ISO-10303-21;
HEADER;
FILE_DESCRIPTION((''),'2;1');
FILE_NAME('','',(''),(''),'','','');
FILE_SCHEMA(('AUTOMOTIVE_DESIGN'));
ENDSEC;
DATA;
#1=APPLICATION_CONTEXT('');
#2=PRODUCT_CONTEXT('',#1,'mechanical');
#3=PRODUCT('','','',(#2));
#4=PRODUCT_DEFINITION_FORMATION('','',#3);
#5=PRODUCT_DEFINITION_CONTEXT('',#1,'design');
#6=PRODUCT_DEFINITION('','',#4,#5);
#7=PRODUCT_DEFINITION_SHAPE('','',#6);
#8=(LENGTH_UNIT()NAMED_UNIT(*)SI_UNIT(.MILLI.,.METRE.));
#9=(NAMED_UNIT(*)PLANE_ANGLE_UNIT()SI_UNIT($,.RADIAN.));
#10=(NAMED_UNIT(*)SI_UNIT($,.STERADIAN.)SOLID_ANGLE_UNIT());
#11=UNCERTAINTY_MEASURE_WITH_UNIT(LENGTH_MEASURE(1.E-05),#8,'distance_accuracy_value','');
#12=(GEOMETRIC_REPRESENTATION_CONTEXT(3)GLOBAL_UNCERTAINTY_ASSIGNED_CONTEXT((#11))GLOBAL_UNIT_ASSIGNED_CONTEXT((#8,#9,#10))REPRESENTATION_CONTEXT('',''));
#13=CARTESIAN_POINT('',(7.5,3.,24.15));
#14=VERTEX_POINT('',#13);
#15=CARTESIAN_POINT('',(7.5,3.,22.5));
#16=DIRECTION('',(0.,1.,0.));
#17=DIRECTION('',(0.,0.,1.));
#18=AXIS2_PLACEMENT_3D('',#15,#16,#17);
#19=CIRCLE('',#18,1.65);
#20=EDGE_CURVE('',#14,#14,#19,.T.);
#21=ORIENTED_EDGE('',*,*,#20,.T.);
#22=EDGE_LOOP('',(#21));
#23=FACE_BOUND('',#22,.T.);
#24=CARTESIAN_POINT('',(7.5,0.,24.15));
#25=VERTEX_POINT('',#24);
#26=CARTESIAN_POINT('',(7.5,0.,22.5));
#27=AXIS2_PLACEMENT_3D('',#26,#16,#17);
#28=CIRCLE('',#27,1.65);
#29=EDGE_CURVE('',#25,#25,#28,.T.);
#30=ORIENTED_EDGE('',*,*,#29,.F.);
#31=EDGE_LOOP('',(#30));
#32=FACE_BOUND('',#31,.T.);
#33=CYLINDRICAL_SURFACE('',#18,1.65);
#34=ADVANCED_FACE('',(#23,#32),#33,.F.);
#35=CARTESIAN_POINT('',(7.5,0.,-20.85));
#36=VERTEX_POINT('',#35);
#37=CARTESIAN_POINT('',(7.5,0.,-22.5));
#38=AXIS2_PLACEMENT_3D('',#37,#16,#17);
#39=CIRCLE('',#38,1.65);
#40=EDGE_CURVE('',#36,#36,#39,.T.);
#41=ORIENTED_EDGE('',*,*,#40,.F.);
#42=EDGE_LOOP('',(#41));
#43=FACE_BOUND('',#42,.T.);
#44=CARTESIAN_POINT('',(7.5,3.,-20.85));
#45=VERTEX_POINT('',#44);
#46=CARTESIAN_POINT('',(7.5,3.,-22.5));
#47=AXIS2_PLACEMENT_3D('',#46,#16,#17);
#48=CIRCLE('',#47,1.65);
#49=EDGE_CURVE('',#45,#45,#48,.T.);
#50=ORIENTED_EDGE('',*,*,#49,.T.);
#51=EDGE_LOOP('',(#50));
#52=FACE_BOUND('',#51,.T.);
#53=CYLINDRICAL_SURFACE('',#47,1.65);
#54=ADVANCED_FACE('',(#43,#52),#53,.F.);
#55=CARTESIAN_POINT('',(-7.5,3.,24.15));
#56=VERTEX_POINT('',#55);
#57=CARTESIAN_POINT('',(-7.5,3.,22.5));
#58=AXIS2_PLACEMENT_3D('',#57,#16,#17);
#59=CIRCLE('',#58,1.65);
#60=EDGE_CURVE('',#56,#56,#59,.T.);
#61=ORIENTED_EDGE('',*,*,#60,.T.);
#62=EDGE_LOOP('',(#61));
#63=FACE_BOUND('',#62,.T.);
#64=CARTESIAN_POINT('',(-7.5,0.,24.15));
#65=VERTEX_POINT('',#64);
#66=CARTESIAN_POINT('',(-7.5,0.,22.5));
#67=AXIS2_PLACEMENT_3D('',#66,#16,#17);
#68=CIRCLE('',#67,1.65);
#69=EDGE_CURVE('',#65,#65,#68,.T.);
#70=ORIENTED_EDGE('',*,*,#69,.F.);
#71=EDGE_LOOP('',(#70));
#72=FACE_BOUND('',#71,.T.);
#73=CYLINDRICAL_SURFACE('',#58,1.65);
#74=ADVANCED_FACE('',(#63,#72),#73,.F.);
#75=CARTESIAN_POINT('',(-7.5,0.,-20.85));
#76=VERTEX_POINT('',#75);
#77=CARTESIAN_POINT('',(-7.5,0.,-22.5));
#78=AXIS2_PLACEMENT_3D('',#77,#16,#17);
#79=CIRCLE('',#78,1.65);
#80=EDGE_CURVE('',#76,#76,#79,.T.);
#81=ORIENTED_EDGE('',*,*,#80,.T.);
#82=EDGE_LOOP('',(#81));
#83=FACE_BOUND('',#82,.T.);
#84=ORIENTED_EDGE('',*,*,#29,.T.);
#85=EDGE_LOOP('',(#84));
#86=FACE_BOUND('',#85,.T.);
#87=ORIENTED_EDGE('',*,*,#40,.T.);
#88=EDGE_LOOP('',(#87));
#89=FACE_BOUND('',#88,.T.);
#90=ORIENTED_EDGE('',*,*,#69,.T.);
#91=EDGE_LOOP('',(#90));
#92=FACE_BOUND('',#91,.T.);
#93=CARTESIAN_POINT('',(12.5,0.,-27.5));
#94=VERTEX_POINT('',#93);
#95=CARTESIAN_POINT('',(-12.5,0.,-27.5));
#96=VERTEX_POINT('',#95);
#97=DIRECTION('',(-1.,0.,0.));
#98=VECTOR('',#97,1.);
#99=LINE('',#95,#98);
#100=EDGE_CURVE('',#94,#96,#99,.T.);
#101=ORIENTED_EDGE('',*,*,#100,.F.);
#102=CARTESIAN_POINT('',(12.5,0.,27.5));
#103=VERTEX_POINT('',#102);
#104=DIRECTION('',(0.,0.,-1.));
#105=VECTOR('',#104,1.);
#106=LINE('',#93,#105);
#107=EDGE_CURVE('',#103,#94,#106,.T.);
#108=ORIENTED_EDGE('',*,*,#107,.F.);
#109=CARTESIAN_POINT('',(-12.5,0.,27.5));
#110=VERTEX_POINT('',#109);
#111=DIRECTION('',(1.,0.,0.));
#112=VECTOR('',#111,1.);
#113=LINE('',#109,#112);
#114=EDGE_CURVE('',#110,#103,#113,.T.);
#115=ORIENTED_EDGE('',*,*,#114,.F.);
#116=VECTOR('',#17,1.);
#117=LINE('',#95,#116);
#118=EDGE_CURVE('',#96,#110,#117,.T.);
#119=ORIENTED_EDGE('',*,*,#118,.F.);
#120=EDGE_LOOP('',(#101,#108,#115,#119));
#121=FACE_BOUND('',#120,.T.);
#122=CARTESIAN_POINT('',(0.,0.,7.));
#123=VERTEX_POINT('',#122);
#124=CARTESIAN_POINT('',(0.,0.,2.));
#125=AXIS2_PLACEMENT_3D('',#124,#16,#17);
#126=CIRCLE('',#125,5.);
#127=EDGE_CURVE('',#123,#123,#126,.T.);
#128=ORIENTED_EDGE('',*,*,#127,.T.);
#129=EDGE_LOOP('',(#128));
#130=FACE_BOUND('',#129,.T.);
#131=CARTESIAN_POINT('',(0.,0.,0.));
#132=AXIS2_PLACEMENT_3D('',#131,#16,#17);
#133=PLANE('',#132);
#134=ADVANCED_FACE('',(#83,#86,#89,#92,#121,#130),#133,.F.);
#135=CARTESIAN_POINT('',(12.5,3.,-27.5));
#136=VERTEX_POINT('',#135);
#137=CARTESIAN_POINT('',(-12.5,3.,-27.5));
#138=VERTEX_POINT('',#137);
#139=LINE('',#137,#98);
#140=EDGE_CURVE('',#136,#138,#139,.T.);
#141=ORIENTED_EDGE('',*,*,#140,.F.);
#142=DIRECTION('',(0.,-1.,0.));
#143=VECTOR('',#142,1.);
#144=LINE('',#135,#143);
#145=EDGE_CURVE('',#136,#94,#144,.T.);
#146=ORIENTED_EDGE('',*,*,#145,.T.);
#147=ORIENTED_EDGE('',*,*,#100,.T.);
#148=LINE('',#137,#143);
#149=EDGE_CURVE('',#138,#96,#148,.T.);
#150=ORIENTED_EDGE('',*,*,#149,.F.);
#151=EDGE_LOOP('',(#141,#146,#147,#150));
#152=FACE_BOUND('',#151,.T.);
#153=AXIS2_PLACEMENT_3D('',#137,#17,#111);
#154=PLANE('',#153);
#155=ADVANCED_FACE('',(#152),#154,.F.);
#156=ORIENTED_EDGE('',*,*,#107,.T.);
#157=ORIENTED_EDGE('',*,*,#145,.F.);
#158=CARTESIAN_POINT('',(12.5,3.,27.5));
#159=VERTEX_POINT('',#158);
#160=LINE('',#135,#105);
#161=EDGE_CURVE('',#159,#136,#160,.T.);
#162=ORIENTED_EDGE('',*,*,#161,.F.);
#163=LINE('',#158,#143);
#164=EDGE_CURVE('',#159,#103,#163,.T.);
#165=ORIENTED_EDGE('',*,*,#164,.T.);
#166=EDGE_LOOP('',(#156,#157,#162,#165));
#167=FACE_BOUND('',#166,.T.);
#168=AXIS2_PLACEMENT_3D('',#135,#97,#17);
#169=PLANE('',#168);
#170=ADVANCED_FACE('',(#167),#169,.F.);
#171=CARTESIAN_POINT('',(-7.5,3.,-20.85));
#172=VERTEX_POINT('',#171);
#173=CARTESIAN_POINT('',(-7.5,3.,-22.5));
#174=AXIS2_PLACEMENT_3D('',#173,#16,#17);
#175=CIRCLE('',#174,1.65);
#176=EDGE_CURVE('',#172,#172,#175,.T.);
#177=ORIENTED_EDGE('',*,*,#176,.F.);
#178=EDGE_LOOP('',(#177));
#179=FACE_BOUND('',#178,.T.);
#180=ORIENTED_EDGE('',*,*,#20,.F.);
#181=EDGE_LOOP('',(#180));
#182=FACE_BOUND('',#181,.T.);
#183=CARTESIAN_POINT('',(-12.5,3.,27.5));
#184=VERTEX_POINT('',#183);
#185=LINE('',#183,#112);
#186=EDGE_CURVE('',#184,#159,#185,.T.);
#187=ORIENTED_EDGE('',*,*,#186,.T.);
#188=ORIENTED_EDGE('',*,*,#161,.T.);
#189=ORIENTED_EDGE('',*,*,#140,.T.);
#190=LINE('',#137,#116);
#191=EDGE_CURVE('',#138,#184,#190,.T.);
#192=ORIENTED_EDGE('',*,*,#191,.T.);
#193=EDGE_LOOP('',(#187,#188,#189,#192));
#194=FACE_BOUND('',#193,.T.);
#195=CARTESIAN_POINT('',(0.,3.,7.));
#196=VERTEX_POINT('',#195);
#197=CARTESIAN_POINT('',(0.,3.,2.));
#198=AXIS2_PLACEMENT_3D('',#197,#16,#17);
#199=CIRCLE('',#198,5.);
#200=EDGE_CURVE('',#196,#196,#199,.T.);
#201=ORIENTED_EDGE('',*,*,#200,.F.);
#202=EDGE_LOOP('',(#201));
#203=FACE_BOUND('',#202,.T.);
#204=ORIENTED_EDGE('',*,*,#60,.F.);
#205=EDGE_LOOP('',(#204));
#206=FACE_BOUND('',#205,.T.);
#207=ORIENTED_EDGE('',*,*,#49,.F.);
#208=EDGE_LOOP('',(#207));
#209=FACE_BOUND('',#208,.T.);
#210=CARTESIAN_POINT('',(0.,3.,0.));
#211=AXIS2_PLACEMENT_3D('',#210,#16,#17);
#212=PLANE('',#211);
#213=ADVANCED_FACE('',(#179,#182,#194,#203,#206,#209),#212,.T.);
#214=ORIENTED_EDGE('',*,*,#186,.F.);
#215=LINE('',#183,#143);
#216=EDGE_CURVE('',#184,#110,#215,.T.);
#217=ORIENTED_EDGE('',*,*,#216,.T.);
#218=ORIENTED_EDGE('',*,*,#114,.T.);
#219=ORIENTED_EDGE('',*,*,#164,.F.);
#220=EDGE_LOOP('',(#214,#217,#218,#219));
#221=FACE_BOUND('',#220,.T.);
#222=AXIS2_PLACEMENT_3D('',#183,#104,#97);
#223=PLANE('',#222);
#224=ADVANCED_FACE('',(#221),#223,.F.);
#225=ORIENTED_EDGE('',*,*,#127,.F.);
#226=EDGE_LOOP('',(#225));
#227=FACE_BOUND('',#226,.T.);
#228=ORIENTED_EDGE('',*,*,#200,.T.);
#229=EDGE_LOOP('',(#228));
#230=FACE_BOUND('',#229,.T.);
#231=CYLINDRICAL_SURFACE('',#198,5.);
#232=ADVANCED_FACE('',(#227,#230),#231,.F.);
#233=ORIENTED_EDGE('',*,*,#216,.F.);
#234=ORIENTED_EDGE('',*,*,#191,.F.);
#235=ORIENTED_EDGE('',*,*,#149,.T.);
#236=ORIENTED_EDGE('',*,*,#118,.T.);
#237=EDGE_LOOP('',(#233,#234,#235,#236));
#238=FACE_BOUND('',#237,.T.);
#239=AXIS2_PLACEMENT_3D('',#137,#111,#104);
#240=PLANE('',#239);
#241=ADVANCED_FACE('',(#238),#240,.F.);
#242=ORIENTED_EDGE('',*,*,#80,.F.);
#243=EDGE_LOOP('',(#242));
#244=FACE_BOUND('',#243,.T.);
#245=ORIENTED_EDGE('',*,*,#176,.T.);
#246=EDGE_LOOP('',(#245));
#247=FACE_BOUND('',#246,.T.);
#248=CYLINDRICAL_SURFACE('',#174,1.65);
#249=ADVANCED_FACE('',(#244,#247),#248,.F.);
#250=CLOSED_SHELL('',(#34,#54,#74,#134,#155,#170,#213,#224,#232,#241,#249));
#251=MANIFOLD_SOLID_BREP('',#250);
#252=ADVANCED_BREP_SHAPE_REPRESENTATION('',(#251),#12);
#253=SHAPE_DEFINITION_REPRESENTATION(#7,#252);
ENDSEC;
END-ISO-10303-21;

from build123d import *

# Parameters (mm, degrees)
SKETCH_1_W      = 25
SKETCH_1_H      = 55
EXTRUDE_1_DEPTH = 3
HOLE_WIZARD_1_D = 3.3
HOLE_WIZARD_2_D = 10


with BuildPart() as part:
    # 草图1 → 凸台-拉伸1 (new body)
    with BuildSketch(Plane(origin=(0, 0, 0), x_dir=(1, 0, 0), z_dir=(0, 1, 0))):
        Rectangle(SKETCH_1_W, SKETCH_1_H)
    extrude(amount=EXTRUDE_1_DEPTH)

    # 孔1 (through all)
    with Locations(Plane(origin=(0, 3, 0), x_dir=(1, 0, 0), z_dir=(0, 1, 0))):
        with Locations((-7.5, 22.5), (7.5, 22.5), (7.5, -22.5), (-7.5, -22.5)):
            Hole(HOLE_WIZARD_1_D / 2)

    # 孔2 (through all)
    with Locations(Plane(origin=(0, 3, 0), x_dir=(1, 0, 0), z_dir=(0, 1, 0))):
        with Locations((0, -2)):
            Hole(HOLE_WIZARD_2_D / 2)


solid = part.part
